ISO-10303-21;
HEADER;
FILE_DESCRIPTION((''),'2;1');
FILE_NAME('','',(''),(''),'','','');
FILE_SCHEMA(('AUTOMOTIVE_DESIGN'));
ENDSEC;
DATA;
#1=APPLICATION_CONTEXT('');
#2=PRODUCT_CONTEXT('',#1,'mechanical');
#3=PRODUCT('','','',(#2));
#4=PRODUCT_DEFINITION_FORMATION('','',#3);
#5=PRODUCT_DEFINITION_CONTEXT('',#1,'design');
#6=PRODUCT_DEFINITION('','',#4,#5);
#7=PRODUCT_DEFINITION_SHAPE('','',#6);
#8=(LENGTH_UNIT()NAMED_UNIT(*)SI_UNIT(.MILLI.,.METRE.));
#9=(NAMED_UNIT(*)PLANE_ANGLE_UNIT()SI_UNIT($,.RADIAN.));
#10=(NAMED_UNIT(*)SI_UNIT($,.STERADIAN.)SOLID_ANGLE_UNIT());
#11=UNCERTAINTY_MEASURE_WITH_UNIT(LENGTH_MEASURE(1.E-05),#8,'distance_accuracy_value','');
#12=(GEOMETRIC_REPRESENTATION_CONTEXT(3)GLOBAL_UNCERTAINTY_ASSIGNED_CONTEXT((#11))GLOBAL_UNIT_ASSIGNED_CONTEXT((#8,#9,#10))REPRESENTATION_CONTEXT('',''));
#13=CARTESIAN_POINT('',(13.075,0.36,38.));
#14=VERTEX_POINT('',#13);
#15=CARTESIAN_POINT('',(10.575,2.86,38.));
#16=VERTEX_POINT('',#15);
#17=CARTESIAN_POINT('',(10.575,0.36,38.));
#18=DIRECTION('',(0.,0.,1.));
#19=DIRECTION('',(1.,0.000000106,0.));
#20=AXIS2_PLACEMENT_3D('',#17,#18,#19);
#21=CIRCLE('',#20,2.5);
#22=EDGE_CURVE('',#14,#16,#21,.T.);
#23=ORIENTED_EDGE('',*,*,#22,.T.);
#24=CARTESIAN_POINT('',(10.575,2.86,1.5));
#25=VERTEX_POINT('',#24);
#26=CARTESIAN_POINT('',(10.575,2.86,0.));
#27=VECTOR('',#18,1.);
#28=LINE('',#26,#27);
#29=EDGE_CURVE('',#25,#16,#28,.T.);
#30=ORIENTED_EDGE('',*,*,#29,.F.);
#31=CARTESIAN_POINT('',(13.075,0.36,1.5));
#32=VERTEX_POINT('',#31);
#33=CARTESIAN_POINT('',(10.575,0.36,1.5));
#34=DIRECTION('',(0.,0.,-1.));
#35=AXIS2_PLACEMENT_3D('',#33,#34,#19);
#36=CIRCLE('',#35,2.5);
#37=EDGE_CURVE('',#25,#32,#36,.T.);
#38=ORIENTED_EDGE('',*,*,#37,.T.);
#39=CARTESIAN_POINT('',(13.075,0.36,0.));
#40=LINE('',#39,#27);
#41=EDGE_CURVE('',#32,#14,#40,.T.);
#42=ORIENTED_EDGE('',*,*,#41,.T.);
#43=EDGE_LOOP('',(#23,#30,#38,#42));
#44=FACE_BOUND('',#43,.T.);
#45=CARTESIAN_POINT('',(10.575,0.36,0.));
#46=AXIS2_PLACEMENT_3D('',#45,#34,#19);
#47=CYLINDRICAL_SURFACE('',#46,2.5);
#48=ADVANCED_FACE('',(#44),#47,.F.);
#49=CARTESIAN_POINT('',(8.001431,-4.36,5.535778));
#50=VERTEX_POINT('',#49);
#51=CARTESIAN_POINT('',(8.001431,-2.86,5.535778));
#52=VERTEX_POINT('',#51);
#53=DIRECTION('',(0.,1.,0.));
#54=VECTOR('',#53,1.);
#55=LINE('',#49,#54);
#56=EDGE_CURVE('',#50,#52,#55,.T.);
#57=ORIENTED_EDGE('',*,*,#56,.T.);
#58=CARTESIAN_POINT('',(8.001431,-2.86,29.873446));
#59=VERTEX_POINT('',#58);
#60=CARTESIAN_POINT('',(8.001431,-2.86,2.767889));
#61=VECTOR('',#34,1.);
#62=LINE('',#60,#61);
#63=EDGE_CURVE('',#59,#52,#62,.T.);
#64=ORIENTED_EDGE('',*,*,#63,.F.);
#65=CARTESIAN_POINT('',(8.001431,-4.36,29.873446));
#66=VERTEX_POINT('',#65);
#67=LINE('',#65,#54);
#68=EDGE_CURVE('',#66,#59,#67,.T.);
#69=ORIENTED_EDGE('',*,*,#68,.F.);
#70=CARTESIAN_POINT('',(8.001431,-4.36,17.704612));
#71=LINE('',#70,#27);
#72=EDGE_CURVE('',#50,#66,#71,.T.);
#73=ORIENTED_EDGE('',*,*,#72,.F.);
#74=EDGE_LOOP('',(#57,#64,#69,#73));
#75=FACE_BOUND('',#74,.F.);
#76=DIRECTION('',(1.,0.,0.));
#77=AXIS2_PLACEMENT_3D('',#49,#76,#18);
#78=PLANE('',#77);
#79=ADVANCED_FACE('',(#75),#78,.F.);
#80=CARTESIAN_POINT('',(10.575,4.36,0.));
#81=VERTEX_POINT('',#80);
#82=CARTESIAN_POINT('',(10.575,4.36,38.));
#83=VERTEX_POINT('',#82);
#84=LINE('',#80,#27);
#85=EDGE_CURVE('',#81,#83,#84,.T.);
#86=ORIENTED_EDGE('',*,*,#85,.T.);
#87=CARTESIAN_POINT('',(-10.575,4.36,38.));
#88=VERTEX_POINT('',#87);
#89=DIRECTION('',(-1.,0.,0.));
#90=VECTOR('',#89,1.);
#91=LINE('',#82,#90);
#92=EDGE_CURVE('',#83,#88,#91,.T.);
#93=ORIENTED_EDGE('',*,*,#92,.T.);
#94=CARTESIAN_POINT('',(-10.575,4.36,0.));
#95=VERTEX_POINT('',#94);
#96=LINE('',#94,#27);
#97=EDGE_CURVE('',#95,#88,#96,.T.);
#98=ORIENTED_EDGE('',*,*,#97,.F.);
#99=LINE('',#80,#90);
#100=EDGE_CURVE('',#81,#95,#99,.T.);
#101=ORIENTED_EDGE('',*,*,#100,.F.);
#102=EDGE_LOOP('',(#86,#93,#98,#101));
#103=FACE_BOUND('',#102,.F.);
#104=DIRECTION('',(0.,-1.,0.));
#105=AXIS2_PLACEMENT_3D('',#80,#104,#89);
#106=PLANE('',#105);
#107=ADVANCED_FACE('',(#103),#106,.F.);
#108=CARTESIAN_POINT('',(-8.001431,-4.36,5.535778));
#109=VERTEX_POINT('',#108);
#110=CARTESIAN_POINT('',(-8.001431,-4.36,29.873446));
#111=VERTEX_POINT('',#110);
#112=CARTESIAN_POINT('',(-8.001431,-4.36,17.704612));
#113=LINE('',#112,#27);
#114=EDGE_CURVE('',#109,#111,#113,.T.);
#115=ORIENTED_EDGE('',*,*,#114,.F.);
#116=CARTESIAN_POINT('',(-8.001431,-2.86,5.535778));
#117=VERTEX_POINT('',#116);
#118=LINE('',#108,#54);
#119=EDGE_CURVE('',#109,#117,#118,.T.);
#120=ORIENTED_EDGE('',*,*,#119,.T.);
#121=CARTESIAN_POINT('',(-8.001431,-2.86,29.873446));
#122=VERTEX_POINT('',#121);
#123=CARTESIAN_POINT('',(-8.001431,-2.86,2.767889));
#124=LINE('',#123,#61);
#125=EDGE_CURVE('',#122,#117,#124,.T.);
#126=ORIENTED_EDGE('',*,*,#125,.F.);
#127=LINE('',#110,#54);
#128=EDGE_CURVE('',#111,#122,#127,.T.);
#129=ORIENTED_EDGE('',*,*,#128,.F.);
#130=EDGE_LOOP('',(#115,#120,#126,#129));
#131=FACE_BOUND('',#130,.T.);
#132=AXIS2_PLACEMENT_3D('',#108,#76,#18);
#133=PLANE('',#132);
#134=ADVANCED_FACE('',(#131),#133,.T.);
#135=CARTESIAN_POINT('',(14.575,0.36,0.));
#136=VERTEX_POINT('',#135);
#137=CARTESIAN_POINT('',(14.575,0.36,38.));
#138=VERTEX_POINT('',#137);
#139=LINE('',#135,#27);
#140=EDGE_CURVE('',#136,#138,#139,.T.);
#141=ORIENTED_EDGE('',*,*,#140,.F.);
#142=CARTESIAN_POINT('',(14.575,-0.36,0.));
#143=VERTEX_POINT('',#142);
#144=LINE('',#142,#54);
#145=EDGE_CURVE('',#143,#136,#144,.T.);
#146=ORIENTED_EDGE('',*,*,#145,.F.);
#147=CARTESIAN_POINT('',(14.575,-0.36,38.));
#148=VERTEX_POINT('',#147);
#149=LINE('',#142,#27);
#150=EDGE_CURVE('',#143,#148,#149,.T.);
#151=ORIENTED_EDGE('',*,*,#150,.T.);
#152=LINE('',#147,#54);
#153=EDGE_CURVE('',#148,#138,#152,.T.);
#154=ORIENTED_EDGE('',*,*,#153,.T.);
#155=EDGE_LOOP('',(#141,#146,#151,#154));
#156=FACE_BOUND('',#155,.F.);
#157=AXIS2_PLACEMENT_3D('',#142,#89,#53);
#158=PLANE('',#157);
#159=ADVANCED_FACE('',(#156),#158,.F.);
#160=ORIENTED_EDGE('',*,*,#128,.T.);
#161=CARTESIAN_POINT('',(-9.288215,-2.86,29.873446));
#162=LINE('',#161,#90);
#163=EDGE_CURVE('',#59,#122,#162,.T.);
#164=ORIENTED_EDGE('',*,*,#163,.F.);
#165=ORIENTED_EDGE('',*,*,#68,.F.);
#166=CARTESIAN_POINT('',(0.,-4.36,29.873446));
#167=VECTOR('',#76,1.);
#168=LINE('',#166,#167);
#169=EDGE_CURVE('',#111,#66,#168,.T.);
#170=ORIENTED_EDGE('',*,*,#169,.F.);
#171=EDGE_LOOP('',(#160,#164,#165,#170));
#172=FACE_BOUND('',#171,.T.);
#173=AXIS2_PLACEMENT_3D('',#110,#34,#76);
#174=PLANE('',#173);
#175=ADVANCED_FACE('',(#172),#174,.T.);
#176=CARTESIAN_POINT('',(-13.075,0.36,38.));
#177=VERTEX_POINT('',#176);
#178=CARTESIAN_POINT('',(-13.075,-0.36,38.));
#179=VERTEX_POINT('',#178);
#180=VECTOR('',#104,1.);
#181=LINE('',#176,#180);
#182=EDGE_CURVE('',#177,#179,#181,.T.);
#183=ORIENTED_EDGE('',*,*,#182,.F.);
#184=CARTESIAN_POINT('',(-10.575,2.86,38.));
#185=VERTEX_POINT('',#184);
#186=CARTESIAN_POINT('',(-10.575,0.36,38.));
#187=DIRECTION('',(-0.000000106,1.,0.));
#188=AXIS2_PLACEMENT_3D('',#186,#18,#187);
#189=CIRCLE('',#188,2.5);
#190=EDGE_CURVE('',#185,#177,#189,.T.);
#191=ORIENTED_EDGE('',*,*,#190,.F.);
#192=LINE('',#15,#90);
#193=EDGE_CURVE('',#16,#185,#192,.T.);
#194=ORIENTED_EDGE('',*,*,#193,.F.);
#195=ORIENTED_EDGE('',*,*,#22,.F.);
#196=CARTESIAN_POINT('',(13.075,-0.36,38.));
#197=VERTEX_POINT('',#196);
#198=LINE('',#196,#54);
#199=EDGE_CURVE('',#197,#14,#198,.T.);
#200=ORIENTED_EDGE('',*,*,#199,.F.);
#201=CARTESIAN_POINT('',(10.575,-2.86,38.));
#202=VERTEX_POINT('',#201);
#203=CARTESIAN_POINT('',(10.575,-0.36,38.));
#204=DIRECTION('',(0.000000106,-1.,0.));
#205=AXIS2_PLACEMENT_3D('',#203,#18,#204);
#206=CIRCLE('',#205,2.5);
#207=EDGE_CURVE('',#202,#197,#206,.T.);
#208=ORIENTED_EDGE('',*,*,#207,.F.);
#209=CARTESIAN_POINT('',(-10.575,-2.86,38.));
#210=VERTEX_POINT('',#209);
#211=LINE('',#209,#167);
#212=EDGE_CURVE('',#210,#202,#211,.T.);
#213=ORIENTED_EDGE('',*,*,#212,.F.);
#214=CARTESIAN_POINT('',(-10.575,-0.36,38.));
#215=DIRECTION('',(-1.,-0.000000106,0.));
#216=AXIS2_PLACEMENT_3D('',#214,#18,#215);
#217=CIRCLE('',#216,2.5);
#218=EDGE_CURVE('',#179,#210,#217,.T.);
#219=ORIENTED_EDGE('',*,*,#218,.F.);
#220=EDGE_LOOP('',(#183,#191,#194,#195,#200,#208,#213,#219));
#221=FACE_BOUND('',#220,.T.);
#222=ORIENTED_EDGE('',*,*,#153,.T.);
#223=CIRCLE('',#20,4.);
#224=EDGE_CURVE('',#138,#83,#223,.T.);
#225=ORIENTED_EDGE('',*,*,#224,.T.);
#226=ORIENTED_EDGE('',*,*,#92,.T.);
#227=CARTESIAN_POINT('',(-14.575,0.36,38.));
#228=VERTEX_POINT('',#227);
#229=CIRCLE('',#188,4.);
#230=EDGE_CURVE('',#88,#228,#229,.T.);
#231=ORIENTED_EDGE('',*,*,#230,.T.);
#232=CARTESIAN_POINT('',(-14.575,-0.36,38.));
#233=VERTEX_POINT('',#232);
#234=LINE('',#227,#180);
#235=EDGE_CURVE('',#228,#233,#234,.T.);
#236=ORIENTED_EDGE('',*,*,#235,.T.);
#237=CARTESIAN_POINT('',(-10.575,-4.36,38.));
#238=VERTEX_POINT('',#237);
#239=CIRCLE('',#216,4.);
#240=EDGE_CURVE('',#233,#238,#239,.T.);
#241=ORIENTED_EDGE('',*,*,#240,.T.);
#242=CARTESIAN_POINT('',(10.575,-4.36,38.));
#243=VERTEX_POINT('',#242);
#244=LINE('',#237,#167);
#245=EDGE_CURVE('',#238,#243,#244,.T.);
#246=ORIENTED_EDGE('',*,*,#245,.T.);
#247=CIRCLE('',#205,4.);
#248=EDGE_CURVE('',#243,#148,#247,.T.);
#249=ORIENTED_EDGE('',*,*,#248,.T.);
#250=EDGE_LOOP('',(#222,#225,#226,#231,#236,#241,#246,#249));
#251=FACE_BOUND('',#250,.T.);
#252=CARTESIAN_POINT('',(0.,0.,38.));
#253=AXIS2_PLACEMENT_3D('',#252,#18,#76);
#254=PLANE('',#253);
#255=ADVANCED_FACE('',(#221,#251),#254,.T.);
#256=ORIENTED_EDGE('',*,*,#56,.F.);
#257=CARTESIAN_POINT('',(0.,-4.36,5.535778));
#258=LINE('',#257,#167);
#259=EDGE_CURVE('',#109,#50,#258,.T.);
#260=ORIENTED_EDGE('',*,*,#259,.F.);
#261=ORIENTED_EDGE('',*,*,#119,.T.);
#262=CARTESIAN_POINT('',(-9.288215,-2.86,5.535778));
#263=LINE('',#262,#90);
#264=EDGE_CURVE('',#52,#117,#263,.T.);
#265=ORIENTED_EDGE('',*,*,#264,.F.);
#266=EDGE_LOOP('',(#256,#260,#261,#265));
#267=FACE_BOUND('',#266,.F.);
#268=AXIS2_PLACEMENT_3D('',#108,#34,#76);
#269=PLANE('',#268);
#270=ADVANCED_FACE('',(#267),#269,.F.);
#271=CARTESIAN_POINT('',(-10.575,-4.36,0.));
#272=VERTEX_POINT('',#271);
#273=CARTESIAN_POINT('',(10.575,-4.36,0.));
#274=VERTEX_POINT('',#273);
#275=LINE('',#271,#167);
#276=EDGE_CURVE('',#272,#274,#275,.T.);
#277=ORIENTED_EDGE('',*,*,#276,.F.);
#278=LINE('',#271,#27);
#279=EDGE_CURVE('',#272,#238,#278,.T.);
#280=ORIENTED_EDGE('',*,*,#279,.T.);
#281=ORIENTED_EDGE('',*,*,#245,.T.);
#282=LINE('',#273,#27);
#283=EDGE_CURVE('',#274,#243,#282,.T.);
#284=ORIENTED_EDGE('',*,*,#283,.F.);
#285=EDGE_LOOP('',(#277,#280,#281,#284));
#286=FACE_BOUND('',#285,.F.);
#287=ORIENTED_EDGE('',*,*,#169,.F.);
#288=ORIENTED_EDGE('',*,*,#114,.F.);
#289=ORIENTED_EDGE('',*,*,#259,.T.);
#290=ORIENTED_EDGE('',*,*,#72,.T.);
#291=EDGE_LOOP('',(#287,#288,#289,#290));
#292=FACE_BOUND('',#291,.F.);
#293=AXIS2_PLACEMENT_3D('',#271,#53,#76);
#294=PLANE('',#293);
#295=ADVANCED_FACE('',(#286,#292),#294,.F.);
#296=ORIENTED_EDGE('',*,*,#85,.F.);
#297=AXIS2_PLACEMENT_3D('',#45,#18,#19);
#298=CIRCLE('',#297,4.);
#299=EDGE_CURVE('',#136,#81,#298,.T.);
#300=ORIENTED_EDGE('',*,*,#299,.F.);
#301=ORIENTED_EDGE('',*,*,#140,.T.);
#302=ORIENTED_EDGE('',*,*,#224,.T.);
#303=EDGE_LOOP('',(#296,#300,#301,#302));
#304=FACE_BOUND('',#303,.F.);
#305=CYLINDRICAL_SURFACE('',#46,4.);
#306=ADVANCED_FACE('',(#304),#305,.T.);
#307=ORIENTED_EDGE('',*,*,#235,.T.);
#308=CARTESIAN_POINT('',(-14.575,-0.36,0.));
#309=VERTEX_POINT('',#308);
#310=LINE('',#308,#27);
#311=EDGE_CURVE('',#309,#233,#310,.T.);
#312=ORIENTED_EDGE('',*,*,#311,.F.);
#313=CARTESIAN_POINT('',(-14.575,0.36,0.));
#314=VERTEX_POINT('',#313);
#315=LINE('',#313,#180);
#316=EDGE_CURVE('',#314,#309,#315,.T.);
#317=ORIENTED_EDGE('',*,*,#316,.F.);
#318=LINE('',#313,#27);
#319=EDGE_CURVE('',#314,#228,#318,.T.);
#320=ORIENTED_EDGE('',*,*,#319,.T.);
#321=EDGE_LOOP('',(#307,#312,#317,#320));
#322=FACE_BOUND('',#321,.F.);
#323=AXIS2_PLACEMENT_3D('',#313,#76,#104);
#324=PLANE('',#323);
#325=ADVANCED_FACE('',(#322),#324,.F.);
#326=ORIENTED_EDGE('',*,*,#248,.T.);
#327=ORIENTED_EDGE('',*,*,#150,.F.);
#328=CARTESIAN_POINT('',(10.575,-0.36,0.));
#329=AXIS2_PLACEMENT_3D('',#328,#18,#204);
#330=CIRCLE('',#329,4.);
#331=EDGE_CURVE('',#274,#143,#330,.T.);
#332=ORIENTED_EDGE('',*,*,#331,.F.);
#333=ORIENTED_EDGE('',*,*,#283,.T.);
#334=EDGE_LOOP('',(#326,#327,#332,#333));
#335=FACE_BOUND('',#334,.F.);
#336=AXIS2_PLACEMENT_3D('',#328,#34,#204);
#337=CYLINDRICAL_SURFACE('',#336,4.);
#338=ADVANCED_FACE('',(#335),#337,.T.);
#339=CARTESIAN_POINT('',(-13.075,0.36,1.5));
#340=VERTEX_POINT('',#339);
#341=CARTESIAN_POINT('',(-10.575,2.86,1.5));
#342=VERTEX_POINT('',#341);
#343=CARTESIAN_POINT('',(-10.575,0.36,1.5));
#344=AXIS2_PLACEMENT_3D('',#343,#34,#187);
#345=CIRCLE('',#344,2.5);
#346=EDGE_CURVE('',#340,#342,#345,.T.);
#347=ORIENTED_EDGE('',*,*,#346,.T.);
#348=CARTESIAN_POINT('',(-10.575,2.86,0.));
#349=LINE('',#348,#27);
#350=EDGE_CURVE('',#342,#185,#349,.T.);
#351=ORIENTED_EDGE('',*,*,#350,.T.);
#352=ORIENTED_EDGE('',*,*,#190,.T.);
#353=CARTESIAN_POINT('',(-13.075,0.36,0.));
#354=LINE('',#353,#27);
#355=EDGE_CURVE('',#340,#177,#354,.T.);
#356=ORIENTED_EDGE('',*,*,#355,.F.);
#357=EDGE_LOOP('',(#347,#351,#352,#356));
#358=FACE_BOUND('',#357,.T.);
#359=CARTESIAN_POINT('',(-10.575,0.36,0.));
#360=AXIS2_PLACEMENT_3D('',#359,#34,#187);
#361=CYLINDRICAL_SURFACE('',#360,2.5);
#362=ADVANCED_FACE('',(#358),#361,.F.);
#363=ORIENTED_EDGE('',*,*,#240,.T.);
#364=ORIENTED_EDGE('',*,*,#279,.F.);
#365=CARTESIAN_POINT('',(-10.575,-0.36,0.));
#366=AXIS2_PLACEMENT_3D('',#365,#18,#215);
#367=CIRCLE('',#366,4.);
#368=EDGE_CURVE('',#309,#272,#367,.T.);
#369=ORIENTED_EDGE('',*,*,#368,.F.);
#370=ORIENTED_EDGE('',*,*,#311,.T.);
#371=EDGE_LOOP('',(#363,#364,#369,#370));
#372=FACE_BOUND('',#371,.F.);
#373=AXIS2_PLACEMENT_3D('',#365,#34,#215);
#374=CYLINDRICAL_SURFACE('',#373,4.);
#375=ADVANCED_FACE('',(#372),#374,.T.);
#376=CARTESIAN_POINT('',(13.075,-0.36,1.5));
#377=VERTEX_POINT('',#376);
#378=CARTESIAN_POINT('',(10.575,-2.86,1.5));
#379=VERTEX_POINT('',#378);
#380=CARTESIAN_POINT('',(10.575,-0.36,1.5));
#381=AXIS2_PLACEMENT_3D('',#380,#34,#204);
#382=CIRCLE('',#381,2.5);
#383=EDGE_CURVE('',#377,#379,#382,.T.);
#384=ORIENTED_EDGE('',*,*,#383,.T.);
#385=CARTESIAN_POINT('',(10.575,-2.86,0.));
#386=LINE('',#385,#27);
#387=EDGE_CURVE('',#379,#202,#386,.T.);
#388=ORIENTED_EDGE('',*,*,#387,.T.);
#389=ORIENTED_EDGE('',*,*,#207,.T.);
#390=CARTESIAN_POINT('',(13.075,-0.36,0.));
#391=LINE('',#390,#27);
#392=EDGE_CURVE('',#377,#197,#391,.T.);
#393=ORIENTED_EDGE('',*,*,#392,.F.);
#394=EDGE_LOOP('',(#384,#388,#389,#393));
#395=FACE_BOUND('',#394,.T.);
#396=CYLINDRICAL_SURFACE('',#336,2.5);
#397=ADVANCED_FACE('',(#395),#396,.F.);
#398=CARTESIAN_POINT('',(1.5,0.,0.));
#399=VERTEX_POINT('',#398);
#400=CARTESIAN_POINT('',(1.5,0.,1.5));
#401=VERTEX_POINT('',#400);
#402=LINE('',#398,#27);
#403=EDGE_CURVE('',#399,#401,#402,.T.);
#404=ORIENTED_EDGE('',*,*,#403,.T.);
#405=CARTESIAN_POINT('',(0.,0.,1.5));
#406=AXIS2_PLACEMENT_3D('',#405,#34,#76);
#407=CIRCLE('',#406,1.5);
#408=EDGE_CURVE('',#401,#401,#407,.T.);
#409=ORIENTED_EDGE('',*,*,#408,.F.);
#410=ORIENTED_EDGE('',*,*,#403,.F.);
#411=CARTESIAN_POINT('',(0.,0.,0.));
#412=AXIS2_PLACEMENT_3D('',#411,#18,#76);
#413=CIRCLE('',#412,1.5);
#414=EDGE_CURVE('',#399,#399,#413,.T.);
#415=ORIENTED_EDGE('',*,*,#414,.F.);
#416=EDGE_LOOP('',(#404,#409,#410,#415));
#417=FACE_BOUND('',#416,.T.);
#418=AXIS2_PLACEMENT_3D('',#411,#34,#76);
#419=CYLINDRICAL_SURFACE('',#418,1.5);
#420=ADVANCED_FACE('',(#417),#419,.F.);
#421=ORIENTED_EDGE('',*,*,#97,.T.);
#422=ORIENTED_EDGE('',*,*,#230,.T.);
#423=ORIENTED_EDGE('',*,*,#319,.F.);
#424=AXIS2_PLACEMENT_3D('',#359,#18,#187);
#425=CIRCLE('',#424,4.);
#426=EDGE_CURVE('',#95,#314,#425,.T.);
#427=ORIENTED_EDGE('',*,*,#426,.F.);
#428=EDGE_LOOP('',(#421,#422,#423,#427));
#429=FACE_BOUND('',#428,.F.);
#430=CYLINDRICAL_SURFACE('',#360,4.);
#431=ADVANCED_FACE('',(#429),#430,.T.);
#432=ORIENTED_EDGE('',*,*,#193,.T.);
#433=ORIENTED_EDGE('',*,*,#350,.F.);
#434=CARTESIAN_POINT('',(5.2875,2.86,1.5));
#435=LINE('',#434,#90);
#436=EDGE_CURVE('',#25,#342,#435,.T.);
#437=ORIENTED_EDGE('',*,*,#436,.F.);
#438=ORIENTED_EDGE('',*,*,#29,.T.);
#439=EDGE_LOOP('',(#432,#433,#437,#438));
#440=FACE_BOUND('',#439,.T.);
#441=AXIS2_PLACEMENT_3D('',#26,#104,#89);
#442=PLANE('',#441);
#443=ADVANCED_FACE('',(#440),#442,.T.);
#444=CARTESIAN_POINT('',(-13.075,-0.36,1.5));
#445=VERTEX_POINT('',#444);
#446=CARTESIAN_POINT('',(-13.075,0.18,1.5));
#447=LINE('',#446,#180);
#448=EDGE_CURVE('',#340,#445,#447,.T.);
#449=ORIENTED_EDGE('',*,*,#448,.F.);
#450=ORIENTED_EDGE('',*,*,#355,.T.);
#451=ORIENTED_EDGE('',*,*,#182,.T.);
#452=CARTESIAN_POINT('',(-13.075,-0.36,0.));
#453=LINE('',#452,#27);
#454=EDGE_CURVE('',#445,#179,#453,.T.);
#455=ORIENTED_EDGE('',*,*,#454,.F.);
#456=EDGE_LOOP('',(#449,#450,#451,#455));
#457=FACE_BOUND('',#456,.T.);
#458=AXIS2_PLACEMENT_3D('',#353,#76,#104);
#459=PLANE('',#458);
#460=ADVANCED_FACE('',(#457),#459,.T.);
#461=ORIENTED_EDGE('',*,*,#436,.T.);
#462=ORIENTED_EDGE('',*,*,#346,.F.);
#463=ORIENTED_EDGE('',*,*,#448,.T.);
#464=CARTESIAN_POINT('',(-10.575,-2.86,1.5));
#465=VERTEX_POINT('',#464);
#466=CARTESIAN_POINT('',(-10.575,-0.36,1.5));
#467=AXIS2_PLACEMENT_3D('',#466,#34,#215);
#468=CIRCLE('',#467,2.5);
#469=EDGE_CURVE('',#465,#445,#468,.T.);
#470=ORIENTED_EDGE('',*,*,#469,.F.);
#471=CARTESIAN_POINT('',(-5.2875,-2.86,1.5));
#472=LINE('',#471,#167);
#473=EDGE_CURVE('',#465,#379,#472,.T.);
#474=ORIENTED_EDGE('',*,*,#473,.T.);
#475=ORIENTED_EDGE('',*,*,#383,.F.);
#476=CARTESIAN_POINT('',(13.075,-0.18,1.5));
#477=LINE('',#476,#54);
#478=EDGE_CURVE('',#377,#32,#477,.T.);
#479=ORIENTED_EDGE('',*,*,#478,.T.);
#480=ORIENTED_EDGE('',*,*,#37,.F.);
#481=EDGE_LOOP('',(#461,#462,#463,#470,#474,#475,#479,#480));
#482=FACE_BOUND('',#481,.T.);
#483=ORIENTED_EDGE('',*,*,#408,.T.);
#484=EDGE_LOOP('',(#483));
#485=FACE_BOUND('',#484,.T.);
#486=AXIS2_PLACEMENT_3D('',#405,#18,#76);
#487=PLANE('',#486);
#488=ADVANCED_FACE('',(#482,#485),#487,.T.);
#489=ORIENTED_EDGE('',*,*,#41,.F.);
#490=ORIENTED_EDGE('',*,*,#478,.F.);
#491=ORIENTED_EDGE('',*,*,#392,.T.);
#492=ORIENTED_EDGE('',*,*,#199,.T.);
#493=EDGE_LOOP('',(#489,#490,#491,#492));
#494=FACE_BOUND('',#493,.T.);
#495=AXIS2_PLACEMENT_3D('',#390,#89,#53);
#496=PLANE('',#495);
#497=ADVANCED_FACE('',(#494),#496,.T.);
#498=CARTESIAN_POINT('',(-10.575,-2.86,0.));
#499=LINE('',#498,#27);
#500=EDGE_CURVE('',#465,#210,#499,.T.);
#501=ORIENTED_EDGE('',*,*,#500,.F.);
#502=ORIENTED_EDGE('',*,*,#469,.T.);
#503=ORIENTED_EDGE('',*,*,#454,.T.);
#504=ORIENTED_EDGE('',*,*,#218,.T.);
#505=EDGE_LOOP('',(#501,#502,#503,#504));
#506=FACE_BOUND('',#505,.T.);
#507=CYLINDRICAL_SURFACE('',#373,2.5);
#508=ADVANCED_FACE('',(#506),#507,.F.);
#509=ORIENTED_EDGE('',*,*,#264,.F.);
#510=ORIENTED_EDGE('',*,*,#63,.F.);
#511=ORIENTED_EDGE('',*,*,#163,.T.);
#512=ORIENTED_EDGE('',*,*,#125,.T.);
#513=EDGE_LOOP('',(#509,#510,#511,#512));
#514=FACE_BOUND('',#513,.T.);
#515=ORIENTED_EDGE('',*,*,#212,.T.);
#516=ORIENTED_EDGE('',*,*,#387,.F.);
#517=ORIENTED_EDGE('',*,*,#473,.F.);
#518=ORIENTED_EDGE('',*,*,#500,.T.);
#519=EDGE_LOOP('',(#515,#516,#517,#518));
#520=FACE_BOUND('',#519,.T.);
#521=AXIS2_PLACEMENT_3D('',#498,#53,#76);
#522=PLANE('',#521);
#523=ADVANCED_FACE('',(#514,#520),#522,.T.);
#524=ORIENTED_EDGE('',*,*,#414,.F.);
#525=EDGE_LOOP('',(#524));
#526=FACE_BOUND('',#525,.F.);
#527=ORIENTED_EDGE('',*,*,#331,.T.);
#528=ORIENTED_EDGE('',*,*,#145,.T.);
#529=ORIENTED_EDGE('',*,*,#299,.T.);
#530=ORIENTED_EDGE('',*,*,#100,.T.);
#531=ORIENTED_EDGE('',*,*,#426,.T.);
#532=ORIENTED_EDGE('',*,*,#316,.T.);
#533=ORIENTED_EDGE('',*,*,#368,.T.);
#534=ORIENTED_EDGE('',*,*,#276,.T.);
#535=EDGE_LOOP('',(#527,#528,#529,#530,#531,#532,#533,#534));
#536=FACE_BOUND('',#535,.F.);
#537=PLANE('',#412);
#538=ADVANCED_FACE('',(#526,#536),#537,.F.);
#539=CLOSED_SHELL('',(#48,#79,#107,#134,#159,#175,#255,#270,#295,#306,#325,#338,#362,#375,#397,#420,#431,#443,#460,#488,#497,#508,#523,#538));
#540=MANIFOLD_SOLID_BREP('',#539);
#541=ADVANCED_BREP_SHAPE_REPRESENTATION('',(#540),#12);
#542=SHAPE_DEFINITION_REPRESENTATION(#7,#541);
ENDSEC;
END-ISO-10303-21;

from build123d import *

# Parameters (mm, degrees)
F1_DEPTH = 38
F2_T     = -1.5
F3_R     = 1.5
F4_DEPTH = 25
F5_W     = 16.002862
F5_H     = 24.337668
F6_DEPTH = 3


with BuildPart() as f1:
    # F0 (on Top) → F1 (new body)
    with BuildSketch(Plane.XY):
        with BuildLine():
            ThreePointArc((14.575, 0.36), (13.403427, 3.188427), (10.575, 4.36))
            Line((10.575, 4.36), (-10.575, 4.36))
            ThreePointArc((-10.575, 4.36), (-13.403427, 3.188427), (-14.575, 0.36))
            Line((-14.575, 0.36), (-14.575, -0.36))
            ThreePointArc((-14.575, -0.36), (-13.403427, -3.188427), (-10.575, -4.36))
            Line((-10.575, -4.36), (10.575, -4.36))
            ThreePointArc((10.575, -4.36), (13.403427, -3.188427), (14.575, -0.36))
            Line((14.575, -0.36), (14.575, 0.36))
        make_face()
    extrude(amount=F1_DEPTH)

    # F2
    f2_openings = [f1.faces().sort_by_distance(p)[0] for p in [
        (0, 0, 38),
    ]]
    offset(amount=F2_T, openings=f2_openings)

    # F3 (on Top) → F4 (cut)
    with BuildSketch(Plane.XY):
        Circle(F3_R)
    extrude(amount=F4_DEPTH, mode=Mode.SUBTRACT)

    # F5 (on face) → F6 (cut)
    with BuildSketch(Plane.XZ.offset(4.36)):
        with Locations((0, 17.704612)):
            Rectangle(F5_W, F5_H)
    extrude(amount=-F6_DEPTH, mode=Mode.SUBTRACT)


solid = f1.part
